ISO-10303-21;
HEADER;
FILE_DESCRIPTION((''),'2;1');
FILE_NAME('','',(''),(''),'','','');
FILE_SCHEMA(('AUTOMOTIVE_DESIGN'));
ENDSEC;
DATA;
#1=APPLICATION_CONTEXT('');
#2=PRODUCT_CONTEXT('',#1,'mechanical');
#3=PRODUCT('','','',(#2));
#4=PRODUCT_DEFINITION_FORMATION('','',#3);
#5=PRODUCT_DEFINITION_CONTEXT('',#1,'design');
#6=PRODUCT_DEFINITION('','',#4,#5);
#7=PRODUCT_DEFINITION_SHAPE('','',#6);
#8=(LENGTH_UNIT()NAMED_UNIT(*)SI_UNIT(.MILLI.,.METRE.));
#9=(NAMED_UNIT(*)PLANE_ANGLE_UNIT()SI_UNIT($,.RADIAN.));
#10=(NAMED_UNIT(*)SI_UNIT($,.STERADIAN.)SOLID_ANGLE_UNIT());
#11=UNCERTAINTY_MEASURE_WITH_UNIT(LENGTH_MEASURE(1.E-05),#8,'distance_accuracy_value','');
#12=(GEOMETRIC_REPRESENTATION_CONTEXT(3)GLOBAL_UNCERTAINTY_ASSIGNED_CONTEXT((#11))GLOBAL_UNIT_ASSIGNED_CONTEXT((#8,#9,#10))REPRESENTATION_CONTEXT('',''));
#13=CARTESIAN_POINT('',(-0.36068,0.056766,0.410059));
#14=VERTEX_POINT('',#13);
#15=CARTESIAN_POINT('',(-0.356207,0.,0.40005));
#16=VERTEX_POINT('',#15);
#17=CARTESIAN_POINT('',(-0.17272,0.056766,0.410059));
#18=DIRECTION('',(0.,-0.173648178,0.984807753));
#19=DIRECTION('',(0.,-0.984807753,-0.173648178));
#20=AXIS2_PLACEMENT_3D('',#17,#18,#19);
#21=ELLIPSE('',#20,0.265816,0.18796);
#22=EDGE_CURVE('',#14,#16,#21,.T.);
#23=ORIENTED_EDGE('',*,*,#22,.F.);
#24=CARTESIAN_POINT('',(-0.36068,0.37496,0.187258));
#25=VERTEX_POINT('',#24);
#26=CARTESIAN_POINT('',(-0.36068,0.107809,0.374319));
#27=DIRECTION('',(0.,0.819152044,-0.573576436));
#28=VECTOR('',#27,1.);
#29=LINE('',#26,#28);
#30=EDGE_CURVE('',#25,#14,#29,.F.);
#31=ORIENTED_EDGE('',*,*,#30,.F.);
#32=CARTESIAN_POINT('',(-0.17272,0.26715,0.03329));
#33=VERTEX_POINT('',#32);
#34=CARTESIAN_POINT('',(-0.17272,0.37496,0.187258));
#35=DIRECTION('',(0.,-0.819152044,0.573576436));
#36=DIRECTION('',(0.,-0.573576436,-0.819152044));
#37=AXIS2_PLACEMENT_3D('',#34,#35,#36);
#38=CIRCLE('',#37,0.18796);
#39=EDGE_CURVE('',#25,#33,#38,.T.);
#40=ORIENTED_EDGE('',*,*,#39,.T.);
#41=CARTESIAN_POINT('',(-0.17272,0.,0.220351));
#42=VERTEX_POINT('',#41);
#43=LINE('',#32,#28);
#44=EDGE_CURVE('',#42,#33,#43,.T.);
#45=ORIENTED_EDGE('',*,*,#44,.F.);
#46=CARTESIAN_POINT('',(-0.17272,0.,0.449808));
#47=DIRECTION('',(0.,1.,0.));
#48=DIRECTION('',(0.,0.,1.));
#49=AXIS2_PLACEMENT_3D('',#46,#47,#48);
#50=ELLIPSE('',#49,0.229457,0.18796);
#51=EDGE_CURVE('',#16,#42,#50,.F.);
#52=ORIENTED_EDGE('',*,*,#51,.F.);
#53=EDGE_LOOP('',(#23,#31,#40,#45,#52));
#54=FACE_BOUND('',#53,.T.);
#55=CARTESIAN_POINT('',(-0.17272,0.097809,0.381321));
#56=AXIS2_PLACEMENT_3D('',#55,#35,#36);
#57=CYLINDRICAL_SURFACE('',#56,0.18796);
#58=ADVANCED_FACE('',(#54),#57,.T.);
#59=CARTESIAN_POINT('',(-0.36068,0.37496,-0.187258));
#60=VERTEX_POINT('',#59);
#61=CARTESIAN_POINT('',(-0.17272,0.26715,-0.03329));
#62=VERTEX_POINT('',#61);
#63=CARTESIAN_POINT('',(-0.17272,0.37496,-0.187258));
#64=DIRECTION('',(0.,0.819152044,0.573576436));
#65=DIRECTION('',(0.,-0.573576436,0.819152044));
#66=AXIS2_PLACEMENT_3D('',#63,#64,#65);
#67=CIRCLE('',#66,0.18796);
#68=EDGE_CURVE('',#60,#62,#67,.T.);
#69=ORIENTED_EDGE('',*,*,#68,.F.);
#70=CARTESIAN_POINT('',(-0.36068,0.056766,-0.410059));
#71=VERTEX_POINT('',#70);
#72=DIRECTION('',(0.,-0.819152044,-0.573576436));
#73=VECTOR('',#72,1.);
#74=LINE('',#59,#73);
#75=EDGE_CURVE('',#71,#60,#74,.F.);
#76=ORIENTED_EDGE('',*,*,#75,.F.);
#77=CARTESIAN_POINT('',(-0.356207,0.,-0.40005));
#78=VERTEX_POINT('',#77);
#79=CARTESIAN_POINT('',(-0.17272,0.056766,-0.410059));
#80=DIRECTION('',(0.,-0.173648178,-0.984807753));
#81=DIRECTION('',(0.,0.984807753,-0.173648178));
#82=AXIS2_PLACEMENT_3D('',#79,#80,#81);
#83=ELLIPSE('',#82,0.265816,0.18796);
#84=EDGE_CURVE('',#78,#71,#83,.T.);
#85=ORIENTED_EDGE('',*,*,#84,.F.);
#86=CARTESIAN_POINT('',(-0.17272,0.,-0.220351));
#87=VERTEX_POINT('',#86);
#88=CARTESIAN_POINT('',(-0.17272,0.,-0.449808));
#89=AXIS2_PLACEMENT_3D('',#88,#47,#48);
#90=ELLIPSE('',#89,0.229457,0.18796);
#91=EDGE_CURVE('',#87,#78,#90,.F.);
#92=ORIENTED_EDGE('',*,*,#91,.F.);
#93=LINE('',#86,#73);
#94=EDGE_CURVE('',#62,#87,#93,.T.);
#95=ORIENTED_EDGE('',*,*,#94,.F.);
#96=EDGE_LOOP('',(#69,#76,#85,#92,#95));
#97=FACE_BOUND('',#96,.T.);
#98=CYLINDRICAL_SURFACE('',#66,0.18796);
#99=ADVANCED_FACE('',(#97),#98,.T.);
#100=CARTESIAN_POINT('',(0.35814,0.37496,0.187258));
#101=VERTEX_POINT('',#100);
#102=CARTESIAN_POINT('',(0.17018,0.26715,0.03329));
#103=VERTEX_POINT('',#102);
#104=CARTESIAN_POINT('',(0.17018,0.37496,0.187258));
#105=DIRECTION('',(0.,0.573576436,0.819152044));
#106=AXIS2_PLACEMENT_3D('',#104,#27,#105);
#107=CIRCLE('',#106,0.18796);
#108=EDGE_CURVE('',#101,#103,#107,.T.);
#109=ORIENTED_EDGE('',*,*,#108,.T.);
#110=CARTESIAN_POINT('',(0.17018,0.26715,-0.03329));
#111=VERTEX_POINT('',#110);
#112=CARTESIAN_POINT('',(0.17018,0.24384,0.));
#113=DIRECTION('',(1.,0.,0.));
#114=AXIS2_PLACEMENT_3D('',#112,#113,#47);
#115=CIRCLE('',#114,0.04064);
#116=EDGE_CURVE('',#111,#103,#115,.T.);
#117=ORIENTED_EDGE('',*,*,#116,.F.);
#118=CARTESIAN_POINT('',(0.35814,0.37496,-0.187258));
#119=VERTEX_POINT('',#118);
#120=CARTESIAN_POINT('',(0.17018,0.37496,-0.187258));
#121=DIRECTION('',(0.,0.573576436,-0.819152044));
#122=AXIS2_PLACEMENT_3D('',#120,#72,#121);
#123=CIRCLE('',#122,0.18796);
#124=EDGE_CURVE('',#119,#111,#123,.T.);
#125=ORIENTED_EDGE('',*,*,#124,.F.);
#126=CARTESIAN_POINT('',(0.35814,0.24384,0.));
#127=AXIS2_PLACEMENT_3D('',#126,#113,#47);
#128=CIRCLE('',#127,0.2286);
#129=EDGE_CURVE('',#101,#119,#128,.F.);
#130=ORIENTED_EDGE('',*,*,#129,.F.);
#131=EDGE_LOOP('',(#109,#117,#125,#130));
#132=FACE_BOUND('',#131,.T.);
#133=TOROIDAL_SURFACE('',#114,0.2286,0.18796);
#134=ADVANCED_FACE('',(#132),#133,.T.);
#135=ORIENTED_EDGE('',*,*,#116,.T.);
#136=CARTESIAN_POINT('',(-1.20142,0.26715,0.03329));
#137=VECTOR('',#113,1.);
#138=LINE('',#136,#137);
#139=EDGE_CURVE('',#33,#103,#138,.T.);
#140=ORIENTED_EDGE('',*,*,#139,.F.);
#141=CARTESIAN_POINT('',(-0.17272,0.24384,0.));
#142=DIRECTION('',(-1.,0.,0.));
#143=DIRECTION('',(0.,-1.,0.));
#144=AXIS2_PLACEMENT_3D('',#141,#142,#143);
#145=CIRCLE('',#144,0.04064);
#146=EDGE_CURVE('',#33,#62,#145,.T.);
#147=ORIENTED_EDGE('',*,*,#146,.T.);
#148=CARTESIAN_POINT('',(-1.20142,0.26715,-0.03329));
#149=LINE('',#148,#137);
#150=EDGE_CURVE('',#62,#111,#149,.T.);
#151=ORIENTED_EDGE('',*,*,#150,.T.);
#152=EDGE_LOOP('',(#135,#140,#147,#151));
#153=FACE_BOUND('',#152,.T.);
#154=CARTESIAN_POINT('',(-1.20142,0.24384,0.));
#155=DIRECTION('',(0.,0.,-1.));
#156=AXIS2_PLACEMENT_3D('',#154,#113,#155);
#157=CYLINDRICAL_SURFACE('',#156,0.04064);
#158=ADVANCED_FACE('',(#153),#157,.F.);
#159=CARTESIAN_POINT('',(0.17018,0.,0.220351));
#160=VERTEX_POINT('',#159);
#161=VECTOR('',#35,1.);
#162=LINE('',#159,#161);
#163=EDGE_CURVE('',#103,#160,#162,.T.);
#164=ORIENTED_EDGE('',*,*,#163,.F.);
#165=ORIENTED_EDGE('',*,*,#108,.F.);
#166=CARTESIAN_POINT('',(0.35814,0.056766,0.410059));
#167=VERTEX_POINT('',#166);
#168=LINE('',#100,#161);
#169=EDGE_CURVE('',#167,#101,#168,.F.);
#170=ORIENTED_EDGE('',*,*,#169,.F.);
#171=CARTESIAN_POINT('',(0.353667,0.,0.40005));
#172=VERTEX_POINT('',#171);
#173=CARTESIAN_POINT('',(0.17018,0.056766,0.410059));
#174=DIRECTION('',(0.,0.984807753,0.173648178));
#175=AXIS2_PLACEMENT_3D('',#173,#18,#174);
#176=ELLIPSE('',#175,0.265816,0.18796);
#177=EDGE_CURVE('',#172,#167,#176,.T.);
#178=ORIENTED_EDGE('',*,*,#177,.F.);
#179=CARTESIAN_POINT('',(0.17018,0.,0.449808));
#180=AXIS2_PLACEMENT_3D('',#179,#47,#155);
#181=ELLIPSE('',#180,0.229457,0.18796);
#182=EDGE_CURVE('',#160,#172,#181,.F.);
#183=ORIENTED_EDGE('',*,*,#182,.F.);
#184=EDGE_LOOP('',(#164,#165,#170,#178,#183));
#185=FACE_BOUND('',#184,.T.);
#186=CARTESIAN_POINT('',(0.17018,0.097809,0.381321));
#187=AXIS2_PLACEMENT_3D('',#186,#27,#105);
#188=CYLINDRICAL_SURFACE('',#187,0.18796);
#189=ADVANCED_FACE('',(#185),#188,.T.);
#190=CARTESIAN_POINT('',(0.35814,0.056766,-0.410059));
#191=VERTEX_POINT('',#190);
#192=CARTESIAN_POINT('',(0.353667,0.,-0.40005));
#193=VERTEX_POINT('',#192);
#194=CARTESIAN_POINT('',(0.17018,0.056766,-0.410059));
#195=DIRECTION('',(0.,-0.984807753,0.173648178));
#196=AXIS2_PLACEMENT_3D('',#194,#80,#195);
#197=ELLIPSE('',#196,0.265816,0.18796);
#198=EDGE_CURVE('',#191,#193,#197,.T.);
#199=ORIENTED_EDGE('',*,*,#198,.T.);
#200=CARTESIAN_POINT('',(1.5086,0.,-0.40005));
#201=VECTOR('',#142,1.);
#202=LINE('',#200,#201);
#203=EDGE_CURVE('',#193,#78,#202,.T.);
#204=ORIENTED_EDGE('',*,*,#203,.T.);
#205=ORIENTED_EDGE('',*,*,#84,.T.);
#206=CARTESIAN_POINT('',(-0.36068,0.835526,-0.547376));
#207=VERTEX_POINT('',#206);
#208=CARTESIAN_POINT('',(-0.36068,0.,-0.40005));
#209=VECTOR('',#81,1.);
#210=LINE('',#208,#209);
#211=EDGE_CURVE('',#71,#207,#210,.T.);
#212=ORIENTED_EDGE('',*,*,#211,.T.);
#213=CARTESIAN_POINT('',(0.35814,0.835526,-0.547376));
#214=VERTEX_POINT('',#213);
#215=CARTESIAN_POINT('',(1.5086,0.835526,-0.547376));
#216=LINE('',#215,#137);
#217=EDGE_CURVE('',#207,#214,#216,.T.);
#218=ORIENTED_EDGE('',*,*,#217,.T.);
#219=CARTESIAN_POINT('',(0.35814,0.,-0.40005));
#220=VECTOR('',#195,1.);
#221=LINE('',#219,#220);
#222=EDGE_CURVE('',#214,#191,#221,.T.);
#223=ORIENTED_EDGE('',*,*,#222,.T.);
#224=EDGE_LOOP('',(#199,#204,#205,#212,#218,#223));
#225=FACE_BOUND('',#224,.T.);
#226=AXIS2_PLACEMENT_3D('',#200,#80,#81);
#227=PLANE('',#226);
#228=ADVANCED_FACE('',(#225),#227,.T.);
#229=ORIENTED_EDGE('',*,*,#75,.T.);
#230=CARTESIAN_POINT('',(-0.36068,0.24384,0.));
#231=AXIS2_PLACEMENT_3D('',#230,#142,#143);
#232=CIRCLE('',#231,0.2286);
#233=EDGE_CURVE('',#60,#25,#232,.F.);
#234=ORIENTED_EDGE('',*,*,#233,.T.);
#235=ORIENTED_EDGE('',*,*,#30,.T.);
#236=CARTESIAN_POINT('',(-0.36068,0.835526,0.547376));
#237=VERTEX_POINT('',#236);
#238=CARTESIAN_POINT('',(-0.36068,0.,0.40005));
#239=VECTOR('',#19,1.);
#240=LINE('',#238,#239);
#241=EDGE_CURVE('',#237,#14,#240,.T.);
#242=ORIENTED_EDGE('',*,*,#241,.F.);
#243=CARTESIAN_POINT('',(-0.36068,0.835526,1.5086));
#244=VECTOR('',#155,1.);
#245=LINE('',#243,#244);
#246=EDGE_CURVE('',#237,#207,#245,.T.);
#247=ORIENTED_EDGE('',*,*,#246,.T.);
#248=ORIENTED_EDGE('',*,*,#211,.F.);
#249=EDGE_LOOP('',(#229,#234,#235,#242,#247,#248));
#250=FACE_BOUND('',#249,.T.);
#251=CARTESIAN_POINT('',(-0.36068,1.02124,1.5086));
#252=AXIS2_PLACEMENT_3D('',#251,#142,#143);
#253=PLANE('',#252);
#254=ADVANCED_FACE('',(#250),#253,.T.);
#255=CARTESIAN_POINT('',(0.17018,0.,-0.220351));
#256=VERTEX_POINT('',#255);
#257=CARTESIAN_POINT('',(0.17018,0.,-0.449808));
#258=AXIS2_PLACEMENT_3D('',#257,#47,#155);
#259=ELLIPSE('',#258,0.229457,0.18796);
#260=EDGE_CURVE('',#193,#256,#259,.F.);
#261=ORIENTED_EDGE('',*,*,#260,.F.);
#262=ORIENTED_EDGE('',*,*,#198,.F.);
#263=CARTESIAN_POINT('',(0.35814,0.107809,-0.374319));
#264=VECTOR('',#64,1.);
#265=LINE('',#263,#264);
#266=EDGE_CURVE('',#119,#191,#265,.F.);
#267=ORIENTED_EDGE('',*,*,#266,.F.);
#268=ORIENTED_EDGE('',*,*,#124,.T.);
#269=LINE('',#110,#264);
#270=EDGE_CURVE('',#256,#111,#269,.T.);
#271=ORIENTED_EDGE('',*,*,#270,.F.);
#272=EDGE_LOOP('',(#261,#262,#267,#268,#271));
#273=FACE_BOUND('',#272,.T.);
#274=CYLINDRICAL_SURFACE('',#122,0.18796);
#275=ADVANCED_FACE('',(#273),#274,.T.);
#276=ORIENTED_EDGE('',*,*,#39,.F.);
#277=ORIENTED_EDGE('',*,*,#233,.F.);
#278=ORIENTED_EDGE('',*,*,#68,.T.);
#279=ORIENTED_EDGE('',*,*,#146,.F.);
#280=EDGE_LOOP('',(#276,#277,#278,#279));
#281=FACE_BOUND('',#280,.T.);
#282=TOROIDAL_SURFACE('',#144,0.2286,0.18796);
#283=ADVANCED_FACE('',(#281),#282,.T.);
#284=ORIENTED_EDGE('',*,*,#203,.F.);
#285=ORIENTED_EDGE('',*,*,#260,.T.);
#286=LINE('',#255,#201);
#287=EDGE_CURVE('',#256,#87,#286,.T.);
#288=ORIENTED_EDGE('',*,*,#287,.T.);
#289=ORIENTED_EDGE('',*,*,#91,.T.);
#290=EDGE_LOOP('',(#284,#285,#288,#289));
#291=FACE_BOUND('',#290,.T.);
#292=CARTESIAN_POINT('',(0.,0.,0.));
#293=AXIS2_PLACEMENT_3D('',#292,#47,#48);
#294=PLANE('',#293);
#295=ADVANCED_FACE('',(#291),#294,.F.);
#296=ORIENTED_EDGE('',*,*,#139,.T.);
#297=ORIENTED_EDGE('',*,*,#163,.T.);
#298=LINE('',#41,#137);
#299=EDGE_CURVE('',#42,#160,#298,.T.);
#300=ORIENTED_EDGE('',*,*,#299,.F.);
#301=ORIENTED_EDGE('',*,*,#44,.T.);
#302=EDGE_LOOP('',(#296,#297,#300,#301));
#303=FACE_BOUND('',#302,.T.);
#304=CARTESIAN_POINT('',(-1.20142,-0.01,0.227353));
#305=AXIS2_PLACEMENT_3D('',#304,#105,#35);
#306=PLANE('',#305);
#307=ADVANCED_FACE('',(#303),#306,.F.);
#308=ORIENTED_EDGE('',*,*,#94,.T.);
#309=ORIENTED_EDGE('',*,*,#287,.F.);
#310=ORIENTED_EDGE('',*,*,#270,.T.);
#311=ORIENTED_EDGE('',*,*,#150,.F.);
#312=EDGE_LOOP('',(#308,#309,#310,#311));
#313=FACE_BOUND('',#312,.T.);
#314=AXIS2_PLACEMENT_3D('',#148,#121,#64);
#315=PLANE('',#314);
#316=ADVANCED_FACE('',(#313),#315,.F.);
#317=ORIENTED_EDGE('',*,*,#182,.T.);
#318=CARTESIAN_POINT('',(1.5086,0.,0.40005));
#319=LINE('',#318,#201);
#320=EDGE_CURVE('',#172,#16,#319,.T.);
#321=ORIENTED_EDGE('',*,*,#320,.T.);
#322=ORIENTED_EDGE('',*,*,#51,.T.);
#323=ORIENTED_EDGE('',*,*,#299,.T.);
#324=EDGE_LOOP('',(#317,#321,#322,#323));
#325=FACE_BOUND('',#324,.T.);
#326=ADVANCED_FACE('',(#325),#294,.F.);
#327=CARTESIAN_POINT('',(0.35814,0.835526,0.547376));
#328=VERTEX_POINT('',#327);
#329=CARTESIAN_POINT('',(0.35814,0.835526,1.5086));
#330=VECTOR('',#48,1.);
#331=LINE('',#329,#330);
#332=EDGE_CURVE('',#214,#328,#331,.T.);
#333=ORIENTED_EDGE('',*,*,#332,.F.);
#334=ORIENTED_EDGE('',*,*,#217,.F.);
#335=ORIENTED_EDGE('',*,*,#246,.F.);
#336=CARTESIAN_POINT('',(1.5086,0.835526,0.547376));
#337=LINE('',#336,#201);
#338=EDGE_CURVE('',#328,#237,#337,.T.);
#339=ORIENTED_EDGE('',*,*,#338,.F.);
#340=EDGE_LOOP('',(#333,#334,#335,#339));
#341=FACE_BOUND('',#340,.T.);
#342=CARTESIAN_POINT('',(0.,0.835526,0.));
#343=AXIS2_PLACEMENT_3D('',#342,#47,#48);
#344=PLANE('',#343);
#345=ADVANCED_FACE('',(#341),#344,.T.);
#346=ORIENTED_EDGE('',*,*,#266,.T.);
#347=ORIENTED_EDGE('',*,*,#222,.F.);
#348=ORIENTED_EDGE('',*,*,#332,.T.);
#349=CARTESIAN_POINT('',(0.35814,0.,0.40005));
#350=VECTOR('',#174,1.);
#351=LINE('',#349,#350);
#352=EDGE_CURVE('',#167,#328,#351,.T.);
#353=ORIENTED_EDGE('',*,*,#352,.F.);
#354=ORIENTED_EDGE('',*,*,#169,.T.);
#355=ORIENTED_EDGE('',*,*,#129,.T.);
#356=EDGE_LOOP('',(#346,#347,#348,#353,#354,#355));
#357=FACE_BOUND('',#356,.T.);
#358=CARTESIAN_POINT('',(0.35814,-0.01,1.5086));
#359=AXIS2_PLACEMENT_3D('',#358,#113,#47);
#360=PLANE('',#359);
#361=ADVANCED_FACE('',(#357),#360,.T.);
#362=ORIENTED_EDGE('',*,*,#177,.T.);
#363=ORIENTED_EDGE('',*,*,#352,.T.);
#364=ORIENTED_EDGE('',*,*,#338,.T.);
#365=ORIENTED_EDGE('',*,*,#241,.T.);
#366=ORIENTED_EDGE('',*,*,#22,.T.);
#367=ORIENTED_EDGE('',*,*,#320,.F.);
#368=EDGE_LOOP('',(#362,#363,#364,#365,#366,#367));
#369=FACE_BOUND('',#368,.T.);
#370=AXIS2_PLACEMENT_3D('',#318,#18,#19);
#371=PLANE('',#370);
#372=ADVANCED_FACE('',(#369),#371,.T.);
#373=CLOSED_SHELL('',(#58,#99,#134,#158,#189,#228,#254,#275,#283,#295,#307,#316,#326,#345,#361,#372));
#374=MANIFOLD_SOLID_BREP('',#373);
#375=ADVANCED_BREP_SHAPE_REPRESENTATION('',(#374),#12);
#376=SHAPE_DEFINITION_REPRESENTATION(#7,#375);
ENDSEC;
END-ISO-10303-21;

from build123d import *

# Parameters (mm, degrees)
SKETCH_TL_CUTTING_R    = 1.4986
TL_CUTTING_DEPTH       = 29.999999944
SKETCH_TDF_CUTTING_W   = 3.01719996
SKETCH_TDF_CUTTING_H   = 3.01719996
TDF_CUTTING_DEPTH      = 31.074766841
VW_VR_GRINDING_DEPTH   = 1.50859998
VW_VR_GRINDING_2_DEPTH = 1.50859998
ISA_GRINDING_DEPTH     = 1.50859998
SKETCH_PRE_FRX_BRX_W   = 1.13046002
SKETCH_PRE_FRX_BRX_H   = 1.03124
SKETCH_PRE_FRX_BRX_W_2 = 1.15791996
PRE_FRX_BRX_DEPTH      = 1.50859998
FA_BA_GRINDING_DEPTH   = 1.50859998
BR_EDM_R               = 0.18796
FR_EDM_R               = 0.18796


with BuildPart() as part:
    # sketch_TL_cutting → TL_cutting (new body)
    with BuildSketch(Plane(origin=(0, 0, 0), x_dir=(1, 0, 0), z_dir=(0, 1, 0))):
        with Locations(Location((0, 0, 0), (0, 0, 270))):
            Circle(SKETCH_TL_CUTTING_R)
    extrude(amount=TL_CUTTING_DEPTH)

    # sketch_TDF_cutting → TDF_cutting (cut, through all)
    with BuildSketch(Plane(origin=(0, 0, 0), x_dir=(1, 0, 0), z_dir=(0, 1, 0))):
        with Locations((-2.71001998, 0)):
            Rectangle(SKETCH_TDF_CUTTING_W, SKETCH_TDF_CUTTING_H)
    extrude(amount=TDF_CUTTING_DEPTH, mode=Mode.SUBTRACT)


with BuildPart() as body_2:
    # sketch_VW_VR_grinding → VW_VR_grinding (new, symmetric)
    with BuildSketch(Plane(origin=(0, 0, 0), x_dir=(0, 0, -1), z_dir=(1, 0, 0))):
        with BuildLine():
            Line((-1.49360001, -0.00999998), (-1.49360001, 1.020128914))
            ThreePointArc((-1.49360001, 1.020128914), (-1.493648337, 1.021235792), (-1.493792952, 1.022334246))
            Line((-1.493792952, 1.022334246), (-1.51859996, 1.163021782))
            Line((-1.51859996, 1.163021782), (-1.50859998, -0.00999998))
            Line((-1.50859998, -0.00999998), (-1.49360001, -0.00999998))
        make_face()
    extrude(amount=VW_VR_GRINDING_DEPTH, both=True)


with BuildPart() as body_3:
    # sketch_VW_VR_grinding → VW_VR_grinding 2 (new, symmetric)
    with BuildSketch(Plane(origin=(0, 0, 0), x_dir=(0, 0, -1), z_dir=(1, 0, 0))):
        with BuildLine():
            Line((1.49360001, -0.00999998), (1.49360001, 1.020128914))
            ThreePointArc((1.49360001, 1.020128914), (1.493648337, 1.021235792), (1.493792952, 1.022334246))
            Line((1.493792952, 1.022334246), (1.51859996, 1.163021782))
            Line((1.51859996, 1.163021782), (1.50859998, -0.00999998))
            Line((1.50859998, -0.00999998), (1.49360001, -0.00999998))
        make_face()
    extrude(amount=VW_VR_GRINDING_2_DEPTH, both=True)


    add(body_2.part)  # ISA_grinding merges body 2
    # sketch_ISA_grinding → ISA_grinding (add, symmetric)
    with BuildSketch(Plane(origin=(0, 0, 0), x_dir=(0, 0, -1), z_dir=(1, 0, 0))):
        Polygon((-0.40005, 0), (0.40005, 0), (1.50859998, 6.286899348), (1.50859998, -0.02999994), (-1.50859998, -0.02999994), (-1.50859998, 6.286899348), align=None)
    extrude(amount=ISA_GRINDING_DEPTH, both=True)

    # sketch_pre_FRX_BRX → pre_FRX_BRX (add, symmetric)
    with BuildSketch(Plane.XY):
        with Locations((0.93336999, 0.50562002)):
            Rectangle(SKETCH_PRE_FRX_BRX_W, SKETCH_PRE_FRX_BRX_H)
        with Locations((-0.93963998, 0.50562002)):
            Rectangle(SKETCH_PRE_FRX_BRX_W_2, SKETCH_PRE_FRX_BRX_H)
    extrude(amount=PRE_FRX_BRX_DEPTH, both=True)

    # sketch_FA_BA_grinding → FA_BA_grinding (add, symmetric)
    with BuildSketch(Plane.XY):
        Polygon((0.35814, -0.00999998), (0.35814, 1.03124), (1.6256, 10.049686508), (1.6256, -0.00999998), align=None)
        Polygon((-0.36068, -0.00999998), (-0.36068, 1.03124), (-1.32842, 7.917067895), (-1.32842, -0.00999998), align=None)
    extrude(amount=FA_BA_GRINDING_DEPTH, both=True)


with BuildPart() as part_1:
    add(part.part)

    # B1_fix: cut body 3
    add(body_3.part, mode=Mode.SUBTRACT)

    # V-Groove_EDM: sweep along a path in sketch_contour_V-Groove
    with BuildLine(Plane.XY) as v_groove_edm_path:
        Line((-1.20142, 0.28448), (1.4986, 0.28448))
    # sketch_section_V-Groove → V-Groove_EDM (sweep, cut)
    with BuildSketch(Plane(origin=(-1.20142, 0, -1.2954), x_dir=(0, 0, -1), z_dir=(1, 0, 0))):
        with BuildLine():
            Line((-1.262109661, 0.267150146), (-1.068047053, -0.00999998))
            Line((-1.068047053, -0.00999998), (-1.522752947, -0.00999998))
            Line((-1.522752947, -0.00999998), (-1.328690339, 0.267150146))
            ThreePointArc((-1.328690339, 0.267150146), (-1.2954, 0.28448), (-1.262109661, 0.267150146))
        make_face()
    sweep(path=v_groove_edm_path.line, mode=Mode.SUBTRACT)

    # BR_EDM
    br_edm_edges = [part_1.edges().sort_by_distance(p)[0] for p in [
        (-0.36068, 0.28448, 0),
        (-0.36068, 0.133575073, -0.126820612),
        (-0.36068, 0.133575073, 0.126820612),
    ]]
    fillet(br_edm_edges, radius=BR_EDM_R)

    # FR_EDM
    fr_edm_edges = [part_1.edges().sort_by_distance(p)[0] for p in [
        (0.35814, 0.133575073, -0.126820612),
        (0.35814, 0.133575073, 0.126820612),
        (0.35814, 0.28448, 0),
    ]]
    fillet(fr_edm_edges, radius=FR_EDM_R)

    # SurfaceCut1
    split(bisect_by=Plane(origin=(0, 0.835526316, 0), x_dir=(1, 0, 0), z_dir=(0, 1, 0)), keep=Keep.BOTTOM)


solid = part_1.part
